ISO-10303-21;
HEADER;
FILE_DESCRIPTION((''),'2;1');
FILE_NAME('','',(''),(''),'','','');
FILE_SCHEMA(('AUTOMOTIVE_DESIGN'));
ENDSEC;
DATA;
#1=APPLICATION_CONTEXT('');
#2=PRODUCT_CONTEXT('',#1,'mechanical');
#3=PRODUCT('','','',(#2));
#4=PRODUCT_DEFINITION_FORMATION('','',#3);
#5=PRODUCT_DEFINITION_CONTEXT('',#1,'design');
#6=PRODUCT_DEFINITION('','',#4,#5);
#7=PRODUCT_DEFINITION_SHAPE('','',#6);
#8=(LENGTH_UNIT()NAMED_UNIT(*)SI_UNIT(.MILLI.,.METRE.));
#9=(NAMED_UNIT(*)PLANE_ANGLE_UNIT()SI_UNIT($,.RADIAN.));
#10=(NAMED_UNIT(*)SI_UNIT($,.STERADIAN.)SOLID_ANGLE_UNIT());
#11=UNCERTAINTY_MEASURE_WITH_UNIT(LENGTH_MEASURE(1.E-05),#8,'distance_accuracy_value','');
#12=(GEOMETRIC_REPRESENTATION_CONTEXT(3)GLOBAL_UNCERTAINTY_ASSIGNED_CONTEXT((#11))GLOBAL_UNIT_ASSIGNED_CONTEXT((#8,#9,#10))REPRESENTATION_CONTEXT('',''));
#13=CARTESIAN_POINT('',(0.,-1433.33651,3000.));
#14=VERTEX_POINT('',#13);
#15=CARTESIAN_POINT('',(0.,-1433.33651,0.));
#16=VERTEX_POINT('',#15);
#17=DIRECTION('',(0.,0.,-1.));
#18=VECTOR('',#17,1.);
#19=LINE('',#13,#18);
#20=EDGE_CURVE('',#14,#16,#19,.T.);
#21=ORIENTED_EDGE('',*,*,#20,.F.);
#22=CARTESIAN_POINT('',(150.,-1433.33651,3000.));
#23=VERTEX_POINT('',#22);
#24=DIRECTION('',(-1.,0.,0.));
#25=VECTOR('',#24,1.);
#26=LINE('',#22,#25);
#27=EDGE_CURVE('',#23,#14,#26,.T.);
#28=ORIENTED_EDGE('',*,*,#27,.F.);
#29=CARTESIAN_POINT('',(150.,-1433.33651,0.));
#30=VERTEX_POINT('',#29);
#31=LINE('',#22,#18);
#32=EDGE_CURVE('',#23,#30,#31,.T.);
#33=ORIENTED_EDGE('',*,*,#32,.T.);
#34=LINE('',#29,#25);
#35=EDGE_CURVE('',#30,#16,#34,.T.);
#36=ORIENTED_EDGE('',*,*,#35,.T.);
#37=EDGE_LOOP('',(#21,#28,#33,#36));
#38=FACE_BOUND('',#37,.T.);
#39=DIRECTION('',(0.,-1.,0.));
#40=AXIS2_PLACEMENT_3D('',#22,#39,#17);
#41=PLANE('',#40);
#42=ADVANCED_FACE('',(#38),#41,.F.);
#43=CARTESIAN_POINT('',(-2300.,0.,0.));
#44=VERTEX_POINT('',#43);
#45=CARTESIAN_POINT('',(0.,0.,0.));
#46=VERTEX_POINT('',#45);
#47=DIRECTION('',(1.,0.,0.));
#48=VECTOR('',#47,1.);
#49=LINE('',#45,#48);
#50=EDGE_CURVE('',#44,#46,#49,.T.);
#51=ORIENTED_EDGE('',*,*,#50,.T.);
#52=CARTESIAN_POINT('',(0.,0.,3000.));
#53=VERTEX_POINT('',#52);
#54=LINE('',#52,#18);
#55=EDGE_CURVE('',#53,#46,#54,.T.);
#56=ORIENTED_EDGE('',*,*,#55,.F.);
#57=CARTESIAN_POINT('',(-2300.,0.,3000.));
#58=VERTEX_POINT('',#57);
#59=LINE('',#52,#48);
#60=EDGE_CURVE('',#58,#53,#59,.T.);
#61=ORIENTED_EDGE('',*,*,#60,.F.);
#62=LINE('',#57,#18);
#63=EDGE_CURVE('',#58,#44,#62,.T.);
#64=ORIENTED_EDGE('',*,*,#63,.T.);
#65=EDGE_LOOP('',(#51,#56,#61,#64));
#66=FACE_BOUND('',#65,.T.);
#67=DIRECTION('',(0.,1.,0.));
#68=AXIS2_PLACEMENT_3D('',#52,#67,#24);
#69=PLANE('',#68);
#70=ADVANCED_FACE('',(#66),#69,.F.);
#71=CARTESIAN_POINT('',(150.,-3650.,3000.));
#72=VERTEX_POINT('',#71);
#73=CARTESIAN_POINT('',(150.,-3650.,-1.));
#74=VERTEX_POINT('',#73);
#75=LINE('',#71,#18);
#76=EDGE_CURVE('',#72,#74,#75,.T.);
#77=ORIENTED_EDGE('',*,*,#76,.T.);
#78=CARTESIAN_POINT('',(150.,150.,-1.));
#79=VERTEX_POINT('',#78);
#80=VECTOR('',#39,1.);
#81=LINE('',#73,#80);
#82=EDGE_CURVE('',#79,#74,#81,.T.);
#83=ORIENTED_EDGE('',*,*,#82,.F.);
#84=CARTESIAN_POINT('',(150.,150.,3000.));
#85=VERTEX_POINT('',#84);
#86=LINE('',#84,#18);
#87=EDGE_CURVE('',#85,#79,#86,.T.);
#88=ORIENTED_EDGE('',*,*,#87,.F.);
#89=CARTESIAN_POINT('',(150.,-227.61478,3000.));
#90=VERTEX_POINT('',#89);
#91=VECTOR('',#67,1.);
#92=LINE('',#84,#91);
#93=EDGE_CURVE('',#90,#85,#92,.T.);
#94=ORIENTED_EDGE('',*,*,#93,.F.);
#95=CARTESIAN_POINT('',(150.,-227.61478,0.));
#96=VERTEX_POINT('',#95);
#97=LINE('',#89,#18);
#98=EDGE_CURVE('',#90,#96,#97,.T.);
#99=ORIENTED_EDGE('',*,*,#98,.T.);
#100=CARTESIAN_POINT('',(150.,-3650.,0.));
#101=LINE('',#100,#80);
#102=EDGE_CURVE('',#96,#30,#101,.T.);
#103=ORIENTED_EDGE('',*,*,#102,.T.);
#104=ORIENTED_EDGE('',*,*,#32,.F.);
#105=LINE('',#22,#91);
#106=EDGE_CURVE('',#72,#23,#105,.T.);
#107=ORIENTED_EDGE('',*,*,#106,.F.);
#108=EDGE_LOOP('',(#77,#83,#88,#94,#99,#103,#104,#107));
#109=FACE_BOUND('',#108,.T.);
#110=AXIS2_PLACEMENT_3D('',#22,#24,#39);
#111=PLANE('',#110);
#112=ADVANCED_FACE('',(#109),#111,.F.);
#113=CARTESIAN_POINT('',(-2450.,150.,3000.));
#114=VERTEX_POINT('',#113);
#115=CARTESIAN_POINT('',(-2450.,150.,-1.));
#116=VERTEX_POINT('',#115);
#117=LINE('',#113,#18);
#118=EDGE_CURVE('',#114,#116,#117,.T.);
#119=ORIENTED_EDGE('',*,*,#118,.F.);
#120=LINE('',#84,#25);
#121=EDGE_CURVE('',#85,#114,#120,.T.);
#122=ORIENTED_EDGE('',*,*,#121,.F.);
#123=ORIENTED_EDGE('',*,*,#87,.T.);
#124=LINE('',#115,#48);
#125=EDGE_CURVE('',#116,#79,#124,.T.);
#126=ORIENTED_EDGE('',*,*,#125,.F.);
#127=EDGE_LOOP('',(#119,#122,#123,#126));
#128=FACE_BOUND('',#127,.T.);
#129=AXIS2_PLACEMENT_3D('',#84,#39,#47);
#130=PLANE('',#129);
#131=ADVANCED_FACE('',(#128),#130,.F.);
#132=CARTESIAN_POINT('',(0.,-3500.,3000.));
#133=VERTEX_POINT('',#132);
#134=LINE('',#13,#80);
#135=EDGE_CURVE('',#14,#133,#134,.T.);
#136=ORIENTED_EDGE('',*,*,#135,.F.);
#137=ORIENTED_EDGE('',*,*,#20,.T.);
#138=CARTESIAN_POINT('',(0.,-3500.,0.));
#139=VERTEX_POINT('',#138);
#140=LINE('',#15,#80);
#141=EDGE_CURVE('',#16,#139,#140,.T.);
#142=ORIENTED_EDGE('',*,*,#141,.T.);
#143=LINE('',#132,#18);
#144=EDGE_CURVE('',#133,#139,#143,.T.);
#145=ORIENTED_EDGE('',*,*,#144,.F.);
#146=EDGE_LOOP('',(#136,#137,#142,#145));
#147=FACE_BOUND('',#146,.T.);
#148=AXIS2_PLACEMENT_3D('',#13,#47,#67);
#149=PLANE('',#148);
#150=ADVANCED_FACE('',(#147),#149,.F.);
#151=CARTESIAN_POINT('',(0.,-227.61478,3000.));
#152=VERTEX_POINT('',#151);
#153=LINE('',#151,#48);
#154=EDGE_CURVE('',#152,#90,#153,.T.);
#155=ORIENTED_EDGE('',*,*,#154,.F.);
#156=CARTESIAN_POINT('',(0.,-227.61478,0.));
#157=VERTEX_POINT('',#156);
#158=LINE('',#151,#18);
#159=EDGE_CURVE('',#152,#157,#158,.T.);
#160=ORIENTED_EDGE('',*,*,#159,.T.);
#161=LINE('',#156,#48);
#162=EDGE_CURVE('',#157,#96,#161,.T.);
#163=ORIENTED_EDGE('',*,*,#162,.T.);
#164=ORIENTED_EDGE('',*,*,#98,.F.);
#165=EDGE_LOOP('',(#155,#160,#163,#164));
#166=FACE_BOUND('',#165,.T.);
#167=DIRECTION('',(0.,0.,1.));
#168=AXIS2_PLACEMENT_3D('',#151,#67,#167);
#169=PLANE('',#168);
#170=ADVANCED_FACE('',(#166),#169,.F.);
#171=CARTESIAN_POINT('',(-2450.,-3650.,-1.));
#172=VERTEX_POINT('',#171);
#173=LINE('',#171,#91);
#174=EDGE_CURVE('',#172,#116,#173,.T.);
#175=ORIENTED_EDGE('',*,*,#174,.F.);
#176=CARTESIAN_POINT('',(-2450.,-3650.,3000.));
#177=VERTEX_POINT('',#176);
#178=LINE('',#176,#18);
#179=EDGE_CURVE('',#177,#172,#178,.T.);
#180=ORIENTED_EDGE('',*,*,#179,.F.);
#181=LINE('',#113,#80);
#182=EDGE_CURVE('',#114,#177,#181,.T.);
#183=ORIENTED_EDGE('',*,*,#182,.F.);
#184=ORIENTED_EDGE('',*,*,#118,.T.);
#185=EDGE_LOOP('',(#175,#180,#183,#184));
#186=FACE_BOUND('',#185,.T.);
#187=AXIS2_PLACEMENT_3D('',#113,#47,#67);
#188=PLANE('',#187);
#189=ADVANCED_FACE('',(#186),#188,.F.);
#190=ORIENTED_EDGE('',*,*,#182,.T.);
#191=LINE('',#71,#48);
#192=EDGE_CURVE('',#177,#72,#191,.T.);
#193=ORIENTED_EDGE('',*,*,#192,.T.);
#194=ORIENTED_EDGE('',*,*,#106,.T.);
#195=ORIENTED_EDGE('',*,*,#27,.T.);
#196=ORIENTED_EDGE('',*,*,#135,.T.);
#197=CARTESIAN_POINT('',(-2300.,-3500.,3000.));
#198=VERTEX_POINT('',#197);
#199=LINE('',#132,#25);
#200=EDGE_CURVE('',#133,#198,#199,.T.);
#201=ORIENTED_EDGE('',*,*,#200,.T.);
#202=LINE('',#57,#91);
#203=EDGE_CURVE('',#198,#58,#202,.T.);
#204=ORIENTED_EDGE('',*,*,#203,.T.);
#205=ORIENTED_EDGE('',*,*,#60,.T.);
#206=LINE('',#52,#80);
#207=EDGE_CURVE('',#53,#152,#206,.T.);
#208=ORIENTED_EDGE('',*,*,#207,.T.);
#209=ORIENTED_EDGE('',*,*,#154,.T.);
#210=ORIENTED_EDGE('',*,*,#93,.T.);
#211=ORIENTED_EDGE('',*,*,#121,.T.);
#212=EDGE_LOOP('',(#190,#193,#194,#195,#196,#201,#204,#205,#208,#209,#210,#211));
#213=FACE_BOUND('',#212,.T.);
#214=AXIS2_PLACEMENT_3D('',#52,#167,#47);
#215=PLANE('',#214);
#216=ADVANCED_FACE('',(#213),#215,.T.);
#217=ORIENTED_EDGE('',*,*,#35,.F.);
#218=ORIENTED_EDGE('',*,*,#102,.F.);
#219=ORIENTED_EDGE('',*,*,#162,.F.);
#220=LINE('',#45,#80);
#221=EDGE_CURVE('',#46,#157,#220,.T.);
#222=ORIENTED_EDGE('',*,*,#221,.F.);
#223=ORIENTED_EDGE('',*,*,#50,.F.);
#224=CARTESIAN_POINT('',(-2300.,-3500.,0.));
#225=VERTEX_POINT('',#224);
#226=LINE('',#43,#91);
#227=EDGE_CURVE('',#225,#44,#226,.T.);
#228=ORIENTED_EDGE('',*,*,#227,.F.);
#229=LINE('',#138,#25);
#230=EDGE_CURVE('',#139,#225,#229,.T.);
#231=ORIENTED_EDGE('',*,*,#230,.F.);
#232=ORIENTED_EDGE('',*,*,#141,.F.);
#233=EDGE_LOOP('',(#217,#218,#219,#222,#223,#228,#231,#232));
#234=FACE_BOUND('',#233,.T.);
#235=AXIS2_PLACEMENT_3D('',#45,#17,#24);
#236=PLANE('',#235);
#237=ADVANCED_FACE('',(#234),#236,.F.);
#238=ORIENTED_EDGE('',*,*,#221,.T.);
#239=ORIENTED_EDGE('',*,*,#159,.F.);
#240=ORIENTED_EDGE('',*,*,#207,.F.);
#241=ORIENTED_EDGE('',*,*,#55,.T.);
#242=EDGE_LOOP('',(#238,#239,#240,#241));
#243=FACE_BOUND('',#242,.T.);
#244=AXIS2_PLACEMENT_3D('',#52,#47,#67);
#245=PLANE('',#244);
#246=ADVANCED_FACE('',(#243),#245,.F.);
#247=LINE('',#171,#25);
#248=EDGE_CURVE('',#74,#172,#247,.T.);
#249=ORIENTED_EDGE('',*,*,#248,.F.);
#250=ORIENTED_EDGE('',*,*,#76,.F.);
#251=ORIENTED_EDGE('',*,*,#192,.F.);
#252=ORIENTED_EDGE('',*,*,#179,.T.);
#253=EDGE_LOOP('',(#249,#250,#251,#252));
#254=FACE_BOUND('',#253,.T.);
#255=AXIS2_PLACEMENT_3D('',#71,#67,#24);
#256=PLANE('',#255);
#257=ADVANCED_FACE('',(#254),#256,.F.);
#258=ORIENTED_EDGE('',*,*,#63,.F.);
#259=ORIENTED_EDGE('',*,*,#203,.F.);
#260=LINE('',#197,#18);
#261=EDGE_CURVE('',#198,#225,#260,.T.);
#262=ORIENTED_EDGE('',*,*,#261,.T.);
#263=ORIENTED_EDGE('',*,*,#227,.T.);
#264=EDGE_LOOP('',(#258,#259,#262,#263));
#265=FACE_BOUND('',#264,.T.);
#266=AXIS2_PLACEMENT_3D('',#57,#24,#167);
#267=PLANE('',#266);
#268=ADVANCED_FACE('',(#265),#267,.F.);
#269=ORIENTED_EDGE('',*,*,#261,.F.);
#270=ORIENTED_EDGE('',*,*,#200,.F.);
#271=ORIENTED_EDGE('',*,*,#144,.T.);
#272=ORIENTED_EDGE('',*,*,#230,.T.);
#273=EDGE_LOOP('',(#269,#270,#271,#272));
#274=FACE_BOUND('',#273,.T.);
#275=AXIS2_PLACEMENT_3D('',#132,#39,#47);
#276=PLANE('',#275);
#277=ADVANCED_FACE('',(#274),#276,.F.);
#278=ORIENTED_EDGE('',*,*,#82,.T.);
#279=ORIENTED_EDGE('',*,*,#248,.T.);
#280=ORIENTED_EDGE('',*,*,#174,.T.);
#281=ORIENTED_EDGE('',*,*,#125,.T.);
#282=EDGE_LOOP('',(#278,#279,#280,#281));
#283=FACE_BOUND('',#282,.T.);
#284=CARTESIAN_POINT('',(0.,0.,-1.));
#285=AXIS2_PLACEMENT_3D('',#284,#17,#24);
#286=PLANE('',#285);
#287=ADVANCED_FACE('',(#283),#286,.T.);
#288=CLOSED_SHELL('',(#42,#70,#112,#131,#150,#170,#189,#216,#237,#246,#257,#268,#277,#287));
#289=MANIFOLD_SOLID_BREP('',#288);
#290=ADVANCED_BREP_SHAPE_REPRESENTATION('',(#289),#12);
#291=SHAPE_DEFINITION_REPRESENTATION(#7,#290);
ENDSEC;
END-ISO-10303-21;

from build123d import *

# Parameters (mm, degrees)
BOSS_EXTRUDE1_DEPTH = 3000
SKETCH2_W           = 2600
SKETCH2_H           = 3800
BOSS_EXTRUDE2_DEPTH = 1


with BuildPart() as part:
    # Sketch1 → Boss-Extrude1 (new body)
    with BuildSketch(Plane.XY):
        Polygon((0, -227.614779849), (150, -227.614779849), (150, 150), (-2450, 150), (-2450, -3650), (150, -3650), (150, -1433.336510226), (0, -1433.336510226), (0, -3500), (-2300, -3500), (-2300, 0), (0, 0), align=None)
    extrude(amount=BOSS_EXTRUDE1_DEPTH)

    # Sketch2 → Boss-Extrude2 (add)
    with BuildSketch(Plane(origin=(0, 0, 0), x_dir=(-1, 0, 0), z_dir=(0, 0, -1))):
        with Locations((1150, -1750)):
            Rectangle(SKETCH2_W, SKETCH2_H)
    extrude(amount=BOSS_EXTRUDE2_DEPTH)


solid = part.part
